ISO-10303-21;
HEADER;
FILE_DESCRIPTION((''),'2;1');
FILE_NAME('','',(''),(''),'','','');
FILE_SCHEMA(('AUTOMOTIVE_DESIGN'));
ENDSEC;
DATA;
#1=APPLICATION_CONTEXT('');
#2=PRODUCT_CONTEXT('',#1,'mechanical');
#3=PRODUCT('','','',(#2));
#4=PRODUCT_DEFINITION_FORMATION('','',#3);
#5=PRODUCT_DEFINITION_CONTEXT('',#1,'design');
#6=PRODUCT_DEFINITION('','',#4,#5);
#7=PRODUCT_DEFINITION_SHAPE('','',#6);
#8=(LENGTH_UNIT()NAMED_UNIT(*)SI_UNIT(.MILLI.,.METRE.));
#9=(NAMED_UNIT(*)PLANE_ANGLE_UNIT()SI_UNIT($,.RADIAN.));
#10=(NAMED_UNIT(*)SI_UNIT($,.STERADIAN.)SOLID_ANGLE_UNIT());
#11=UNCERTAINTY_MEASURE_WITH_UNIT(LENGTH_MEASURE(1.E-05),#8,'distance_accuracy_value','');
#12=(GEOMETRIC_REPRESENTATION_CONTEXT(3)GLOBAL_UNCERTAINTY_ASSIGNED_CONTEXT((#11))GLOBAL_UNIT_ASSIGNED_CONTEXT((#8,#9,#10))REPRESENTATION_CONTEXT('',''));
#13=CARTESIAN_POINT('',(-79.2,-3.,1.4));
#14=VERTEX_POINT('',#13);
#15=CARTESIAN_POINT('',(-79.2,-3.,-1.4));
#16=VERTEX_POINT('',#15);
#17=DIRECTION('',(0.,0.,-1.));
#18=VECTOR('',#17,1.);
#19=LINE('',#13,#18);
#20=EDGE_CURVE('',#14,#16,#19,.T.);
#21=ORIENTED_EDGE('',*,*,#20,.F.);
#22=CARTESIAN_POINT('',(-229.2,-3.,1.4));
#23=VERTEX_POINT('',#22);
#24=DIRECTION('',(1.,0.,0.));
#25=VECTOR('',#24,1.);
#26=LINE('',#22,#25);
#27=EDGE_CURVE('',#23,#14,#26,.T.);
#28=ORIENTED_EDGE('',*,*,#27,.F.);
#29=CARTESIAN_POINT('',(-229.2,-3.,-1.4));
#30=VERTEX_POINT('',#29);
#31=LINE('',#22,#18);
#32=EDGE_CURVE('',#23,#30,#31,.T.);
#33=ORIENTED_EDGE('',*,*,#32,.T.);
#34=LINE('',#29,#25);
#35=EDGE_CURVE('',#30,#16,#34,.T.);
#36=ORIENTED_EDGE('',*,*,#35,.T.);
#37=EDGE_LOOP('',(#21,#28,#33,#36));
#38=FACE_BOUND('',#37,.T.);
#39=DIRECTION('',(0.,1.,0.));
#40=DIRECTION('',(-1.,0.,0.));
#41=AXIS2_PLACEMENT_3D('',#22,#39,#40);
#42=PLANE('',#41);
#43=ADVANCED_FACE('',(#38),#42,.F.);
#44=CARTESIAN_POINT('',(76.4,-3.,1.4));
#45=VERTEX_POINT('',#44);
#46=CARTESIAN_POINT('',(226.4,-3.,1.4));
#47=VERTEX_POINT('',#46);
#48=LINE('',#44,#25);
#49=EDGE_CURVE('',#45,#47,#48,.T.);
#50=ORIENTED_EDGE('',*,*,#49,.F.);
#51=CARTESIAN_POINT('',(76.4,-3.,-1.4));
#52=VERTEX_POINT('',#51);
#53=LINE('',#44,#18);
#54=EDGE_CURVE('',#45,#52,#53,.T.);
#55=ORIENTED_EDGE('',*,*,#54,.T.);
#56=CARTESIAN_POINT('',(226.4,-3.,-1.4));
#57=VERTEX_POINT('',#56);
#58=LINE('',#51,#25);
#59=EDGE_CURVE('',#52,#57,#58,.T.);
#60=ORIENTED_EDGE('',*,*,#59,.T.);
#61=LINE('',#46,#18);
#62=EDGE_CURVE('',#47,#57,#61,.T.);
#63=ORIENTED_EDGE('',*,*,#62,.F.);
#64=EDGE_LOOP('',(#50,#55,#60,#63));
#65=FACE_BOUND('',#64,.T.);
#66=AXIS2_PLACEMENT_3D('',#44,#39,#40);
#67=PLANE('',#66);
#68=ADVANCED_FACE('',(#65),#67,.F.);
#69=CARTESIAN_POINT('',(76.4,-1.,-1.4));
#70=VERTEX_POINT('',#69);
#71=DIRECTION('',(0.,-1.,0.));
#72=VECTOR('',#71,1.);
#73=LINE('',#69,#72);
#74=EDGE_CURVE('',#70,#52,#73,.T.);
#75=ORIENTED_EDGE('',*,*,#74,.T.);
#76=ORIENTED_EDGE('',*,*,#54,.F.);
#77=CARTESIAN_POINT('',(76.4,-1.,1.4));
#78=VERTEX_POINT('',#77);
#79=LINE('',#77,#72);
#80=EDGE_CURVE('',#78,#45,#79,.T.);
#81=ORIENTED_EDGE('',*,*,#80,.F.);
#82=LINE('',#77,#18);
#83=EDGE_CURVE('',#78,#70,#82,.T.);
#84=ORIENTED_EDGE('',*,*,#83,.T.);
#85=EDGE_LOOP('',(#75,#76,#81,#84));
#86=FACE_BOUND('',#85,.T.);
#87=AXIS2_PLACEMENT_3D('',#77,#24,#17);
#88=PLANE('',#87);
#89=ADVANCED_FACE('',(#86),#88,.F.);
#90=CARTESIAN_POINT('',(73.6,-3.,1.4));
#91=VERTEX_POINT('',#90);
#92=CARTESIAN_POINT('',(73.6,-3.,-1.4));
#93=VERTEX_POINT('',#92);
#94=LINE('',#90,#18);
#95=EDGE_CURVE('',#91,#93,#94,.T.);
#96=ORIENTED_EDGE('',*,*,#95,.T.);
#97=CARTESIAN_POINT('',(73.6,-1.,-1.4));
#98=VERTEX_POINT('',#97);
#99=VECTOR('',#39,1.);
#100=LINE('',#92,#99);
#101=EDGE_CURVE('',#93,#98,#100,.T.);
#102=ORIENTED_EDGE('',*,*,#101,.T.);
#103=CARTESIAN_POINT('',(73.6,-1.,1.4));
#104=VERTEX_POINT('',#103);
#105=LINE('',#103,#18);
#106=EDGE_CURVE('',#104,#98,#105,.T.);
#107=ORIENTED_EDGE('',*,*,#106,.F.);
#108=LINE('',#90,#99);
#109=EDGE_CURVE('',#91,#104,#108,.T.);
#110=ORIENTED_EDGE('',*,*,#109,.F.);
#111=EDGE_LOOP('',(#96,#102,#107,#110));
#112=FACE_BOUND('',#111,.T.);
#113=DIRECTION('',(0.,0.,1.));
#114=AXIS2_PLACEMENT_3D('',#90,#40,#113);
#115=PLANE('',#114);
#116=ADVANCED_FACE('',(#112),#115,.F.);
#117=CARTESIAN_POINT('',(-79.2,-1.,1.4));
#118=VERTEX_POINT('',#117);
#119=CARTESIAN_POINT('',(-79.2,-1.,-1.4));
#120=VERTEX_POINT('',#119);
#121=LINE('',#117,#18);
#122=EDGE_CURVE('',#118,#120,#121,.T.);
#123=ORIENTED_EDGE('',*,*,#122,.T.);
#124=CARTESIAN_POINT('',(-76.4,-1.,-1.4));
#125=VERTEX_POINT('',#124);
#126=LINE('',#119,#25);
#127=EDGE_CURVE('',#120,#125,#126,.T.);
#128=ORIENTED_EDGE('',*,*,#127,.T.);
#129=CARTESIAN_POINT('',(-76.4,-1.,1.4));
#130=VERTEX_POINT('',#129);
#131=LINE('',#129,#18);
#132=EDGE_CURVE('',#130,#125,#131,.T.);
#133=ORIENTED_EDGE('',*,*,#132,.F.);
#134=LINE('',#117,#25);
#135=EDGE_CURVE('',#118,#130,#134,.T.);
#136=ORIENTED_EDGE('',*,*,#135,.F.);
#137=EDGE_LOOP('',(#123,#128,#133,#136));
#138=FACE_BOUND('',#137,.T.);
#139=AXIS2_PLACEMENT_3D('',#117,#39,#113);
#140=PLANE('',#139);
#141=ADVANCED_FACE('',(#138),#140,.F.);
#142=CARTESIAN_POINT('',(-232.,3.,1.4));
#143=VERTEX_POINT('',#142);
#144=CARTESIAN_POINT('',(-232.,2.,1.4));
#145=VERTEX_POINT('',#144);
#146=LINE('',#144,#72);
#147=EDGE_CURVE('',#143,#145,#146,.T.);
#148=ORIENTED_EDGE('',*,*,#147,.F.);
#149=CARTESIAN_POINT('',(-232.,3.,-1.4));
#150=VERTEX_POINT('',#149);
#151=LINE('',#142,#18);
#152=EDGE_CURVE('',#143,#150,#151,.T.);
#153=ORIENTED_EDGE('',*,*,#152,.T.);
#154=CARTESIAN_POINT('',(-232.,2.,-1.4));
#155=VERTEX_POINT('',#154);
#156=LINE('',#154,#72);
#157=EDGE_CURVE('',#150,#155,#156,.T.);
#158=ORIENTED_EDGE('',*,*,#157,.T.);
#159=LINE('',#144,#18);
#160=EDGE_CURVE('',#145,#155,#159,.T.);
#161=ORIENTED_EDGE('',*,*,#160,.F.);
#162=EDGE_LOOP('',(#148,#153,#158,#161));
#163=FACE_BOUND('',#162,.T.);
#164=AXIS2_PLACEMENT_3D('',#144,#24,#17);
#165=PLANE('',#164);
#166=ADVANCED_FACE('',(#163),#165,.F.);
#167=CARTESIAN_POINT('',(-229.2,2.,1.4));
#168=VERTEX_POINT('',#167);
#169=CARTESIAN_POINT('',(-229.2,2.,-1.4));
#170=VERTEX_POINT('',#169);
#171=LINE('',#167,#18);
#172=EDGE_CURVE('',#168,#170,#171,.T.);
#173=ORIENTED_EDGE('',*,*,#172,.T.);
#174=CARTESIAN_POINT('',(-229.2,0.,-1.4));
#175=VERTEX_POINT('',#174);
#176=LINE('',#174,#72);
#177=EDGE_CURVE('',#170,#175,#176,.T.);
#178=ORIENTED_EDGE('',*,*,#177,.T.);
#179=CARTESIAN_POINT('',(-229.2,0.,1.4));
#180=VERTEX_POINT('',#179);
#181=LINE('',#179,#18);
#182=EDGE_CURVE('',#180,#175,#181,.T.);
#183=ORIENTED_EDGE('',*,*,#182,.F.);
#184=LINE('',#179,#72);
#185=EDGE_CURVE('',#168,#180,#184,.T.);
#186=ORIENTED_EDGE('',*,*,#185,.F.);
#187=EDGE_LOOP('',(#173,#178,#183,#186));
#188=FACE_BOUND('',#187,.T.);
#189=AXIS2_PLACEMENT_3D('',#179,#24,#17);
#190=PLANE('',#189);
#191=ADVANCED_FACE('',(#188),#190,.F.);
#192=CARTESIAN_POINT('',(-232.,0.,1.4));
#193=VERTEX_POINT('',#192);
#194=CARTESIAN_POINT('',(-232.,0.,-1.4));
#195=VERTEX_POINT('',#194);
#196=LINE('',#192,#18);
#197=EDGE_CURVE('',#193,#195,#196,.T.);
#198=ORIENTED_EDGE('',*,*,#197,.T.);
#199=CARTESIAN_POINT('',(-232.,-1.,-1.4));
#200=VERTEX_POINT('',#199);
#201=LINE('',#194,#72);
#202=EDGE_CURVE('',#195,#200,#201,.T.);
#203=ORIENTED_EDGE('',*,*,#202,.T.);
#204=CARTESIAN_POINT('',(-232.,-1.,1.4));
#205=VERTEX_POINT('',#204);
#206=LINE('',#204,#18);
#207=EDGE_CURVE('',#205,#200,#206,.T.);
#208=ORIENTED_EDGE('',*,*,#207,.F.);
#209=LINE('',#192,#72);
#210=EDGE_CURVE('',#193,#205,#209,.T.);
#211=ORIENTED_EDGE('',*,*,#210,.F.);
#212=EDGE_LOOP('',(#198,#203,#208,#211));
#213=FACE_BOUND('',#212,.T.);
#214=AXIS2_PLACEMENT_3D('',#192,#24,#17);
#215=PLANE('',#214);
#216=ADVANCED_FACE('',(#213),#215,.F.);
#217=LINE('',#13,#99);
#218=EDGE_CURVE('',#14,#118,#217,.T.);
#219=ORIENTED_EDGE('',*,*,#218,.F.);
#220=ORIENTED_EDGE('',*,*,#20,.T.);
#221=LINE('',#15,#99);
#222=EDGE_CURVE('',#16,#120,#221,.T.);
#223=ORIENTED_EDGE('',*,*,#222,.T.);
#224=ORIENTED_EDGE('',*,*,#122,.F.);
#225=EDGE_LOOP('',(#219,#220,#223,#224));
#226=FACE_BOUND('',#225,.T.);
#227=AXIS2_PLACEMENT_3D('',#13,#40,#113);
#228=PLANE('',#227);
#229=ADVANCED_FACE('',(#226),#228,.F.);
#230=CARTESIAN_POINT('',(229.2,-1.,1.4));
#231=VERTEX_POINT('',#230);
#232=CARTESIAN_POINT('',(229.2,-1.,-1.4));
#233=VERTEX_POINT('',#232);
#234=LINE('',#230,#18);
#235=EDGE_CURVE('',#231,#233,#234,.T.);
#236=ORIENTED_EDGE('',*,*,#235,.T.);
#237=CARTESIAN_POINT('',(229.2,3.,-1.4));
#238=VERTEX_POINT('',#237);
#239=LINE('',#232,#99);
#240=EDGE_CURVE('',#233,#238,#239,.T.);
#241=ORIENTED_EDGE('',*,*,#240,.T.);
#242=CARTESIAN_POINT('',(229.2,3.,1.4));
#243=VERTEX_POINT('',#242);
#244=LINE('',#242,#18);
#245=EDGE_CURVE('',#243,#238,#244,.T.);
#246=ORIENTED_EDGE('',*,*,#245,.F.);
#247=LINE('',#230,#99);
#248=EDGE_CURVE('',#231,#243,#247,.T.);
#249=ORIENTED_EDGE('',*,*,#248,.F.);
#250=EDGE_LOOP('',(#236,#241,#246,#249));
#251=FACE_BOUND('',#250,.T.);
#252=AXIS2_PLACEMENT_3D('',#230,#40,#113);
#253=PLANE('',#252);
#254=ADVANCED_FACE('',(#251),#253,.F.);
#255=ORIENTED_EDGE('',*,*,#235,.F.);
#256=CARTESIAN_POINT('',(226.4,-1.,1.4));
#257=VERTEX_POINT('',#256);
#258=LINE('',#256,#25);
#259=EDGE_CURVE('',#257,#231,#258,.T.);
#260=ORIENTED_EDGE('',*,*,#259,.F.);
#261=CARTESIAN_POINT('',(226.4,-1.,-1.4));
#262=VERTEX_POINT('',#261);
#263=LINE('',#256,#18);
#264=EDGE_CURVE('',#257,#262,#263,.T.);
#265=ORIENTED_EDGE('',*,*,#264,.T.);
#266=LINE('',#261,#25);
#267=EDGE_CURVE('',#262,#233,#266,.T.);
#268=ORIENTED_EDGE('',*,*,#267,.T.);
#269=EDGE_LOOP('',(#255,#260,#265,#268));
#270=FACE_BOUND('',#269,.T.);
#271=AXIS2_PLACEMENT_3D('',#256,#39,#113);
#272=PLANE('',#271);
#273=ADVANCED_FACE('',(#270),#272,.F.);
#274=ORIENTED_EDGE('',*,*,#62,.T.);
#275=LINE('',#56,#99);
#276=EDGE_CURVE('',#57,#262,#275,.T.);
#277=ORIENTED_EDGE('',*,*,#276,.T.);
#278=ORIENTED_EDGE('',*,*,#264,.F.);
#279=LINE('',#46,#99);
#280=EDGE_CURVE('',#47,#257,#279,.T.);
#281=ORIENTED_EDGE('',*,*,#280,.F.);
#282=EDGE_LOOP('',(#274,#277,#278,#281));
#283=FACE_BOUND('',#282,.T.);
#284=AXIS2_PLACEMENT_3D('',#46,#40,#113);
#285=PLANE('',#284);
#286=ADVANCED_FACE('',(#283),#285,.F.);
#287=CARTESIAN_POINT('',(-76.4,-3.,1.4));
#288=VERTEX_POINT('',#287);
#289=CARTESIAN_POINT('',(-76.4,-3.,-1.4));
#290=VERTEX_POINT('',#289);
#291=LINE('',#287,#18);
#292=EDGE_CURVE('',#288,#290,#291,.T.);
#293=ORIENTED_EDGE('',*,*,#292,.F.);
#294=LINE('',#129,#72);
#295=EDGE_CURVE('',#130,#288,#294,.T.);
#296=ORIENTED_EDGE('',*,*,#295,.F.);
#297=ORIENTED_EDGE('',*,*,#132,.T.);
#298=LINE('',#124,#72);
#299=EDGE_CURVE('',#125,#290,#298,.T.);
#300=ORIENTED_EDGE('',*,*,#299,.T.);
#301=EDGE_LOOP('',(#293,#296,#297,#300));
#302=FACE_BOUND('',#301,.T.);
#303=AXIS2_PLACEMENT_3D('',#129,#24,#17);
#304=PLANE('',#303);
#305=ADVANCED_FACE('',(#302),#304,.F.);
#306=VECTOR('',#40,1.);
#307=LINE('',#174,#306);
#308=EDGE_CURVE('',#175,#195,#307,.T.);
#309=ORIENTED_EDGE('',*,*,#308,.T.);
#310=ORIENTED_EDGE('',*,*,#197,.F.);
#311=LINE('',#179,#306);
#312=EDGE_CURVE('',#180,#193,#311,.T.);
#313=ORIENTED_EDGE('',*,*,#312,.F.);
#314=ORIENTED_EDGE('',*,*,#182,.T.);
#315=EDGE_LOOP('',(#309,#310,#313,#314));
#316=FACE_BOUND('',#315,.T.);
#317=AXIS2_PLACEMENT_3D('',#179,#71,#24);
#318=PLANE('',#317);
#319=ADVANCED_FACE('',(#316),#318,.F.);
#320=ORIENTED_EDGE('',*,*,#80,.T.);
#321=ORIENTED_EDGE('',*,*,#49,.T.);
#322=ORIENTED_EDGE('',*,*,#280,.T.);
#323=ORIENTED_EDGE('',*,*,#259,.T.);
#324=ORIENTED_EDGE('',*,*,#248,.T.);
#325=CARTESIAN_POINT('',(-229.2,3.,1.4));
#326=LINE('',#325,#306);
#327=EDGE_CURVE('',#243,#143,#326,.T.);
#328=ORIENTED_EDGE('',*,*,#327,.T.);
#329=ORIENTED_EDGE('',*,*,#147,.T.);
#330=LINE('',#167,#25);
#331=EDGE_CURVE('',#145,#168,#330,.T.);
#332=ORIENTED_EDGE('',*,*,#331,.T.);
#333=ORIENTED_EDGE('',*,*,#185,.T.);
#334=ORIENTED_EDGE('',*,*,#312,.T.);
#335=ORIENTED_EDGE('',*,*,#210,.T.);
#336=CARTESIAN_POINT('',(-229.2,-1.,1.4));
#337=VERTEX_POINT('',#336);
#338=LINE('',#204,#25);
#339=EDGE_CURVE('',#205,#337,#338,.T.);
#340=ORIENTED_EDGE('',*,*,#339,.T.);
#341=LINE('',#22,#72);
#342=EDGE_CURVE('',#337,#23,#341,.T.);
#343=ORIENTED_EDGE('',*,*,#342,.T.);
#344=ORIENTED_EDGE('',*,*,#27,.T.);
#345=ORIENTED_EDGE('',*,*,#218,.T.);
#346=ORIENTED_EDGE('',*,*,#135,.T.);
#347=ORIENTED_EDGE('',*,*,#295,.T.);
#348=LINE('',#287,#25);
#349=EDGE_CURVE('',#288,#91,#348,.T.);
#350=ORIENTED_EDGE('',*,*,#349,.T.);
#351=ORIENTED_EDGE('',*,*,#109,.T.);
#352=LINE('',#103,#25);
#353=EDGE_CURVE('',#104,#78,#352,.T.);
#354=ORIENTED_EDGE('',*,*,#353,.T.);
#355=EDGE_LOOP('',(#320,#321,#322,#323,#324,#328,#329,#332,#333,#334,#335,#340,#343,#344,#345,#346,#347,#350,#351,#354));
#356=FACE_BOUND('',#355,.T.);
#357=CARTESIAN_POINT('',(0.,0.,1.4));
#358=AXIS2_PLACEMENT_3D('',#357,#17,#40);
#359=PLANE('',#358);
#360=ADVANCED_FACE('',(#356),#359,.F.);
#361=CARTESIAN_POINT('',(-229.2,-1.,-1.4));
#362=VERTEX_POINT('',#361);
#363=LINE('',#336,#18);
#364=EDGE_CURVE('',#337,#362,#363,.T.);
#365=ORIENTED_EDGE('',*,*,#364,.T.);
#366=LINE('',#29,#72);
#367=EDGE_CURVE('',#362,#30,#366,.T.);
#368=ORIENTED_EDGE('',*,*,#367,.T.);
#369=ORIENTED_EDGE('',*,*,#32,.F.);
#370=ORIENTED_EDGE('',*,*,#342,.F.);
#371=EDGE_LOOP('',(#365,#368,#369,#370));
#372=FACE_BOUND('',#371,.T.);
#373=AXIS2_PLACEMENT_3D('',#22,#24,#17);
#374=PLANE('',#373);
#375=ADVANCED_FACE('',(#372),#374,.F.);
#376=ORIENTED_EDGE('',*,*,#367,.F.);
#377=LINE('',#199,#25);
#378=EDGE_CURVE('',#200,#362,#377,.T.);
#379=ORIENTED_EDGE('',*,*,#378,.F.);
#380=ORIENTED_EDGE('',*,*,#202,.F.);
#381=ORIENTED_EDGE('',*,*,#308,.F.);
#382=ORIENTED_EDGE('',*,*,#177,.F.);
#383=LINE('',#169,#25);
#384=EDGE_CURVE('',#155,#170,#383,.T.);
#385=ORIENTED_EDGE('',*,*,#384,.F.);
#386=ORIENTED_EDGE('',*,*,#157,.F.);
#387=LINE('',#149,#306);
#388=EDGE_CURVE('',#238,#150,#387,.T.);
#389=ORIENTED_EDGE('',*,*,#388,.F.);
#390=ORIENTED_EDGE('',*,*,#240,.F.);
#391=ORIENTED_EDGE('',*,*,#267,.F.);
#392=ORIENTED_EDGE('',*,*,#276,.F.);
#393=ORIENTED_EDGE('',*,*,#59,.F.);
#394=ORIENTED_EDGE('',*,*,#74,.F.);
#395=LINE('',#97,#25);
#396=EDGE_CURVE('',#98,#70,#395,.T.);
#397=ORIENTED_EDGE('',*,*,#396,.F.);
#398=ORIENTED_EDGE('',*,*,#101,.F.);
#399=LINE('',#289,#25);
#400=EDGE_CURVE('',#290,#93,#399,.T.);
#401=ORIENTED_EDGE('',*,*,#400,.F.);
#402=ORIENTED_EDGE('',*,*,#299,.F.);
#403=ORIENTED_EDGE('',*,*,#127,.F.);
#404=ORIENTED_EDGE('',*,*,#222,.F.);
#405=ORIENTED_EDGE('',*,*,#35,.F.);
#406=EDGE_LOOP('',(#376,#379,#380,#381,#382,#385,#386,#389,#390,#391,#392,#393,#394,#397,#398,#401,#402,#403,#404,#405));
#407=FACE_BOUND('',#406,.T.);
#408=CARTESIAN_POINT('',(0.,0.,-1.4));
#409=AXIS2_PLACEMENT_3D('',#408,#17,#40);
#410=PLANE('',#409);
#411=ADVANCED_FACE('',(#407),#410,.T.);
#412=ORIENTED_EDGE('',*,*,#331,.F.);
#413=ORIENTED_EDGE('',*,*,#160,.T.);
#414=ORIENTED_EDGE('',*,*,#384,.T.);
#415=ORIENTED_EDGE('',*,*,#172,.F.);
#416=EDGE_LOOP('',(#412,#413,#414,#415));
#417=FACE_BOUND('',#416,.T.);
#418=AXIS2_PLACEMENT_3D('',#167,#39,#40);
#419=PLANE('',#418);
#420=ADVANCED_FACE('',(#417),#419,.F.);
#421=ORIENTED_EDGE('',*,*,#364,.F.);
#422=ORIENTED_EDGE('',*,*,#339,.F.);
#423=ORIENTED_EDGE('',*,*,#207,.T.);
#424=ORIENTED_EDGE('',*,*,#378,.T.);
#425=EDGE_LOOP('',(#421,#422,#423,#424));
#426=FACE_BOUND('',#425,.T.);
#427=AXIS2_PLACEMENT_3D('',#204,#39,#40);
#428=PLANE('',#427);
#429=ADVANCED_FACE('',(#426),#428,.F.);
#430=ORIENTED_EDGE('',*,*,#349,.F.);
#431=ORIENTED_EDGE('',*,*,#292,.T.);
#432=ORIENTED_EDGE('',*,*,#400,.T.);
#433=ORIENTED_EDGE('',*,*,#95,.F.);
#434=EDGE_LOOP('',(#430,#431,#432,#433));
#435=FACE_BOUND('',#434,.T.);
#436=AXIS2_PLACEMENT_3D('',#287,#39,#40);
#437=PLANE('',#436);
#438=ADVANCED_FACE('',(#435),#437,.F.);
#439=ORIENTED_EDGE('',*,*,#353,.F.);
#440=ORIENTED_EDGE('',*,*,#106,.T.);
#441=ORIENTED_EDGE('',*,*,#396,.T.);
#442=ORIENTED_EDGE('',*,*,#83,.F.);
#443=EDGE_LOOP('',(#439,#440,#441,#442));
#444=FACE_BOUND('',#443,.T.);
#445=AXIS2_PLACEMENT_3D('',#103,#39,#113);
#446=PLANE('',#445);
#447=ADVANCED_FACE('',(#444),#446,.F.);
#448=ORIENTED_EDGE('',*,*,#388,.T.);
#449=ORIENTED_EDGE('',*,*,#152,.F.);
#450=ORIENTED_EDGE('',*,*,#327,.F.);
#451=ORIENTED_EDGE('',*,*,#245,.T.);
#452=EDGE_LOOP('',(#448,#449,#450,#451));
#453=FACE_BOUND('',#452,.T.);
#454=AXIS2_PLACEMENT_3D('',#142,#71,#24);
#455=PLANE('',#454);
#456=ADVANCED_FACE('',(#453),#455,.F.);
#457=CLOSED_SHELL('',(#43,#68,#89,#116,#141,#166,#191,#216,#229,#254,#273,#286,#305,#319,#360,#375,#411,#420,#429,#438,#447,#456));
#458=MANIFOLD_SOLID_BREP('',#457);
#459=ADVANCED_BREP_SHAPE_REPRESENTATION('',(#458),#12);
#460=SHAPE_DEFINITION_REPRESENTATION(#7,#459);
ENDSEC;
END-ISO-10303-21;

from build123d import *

# Parameters (mm, degrees)
EXTRUDE_1_DEPTH = 1.4


with BuildPart() as part:
    # Эскиз2 → Бобышка-Вытянуть1 (new, symmetric)
    with BuildSketch(Plane.XY):
        Polygon((-229.2, -3), (-79.2, -3), (-79.2, -1), (-76.4, -1), (-76.4, -3), (73.6, -3), (73.6, -1), (76.4, -1), (76.4, -3), (226.4, -3), (226.4, -1), (229.2, -1), (229.2, 3), (-229.2, 3), (-232, 3), (-232, 2), (-229.2, 2), (-229.2, 0), (-232, 0), (-232, -1), (-229.2, -1), align=None)
    extrude(amount=EXTRUDE_1_DEPTH, both=True)


solid = part.part
